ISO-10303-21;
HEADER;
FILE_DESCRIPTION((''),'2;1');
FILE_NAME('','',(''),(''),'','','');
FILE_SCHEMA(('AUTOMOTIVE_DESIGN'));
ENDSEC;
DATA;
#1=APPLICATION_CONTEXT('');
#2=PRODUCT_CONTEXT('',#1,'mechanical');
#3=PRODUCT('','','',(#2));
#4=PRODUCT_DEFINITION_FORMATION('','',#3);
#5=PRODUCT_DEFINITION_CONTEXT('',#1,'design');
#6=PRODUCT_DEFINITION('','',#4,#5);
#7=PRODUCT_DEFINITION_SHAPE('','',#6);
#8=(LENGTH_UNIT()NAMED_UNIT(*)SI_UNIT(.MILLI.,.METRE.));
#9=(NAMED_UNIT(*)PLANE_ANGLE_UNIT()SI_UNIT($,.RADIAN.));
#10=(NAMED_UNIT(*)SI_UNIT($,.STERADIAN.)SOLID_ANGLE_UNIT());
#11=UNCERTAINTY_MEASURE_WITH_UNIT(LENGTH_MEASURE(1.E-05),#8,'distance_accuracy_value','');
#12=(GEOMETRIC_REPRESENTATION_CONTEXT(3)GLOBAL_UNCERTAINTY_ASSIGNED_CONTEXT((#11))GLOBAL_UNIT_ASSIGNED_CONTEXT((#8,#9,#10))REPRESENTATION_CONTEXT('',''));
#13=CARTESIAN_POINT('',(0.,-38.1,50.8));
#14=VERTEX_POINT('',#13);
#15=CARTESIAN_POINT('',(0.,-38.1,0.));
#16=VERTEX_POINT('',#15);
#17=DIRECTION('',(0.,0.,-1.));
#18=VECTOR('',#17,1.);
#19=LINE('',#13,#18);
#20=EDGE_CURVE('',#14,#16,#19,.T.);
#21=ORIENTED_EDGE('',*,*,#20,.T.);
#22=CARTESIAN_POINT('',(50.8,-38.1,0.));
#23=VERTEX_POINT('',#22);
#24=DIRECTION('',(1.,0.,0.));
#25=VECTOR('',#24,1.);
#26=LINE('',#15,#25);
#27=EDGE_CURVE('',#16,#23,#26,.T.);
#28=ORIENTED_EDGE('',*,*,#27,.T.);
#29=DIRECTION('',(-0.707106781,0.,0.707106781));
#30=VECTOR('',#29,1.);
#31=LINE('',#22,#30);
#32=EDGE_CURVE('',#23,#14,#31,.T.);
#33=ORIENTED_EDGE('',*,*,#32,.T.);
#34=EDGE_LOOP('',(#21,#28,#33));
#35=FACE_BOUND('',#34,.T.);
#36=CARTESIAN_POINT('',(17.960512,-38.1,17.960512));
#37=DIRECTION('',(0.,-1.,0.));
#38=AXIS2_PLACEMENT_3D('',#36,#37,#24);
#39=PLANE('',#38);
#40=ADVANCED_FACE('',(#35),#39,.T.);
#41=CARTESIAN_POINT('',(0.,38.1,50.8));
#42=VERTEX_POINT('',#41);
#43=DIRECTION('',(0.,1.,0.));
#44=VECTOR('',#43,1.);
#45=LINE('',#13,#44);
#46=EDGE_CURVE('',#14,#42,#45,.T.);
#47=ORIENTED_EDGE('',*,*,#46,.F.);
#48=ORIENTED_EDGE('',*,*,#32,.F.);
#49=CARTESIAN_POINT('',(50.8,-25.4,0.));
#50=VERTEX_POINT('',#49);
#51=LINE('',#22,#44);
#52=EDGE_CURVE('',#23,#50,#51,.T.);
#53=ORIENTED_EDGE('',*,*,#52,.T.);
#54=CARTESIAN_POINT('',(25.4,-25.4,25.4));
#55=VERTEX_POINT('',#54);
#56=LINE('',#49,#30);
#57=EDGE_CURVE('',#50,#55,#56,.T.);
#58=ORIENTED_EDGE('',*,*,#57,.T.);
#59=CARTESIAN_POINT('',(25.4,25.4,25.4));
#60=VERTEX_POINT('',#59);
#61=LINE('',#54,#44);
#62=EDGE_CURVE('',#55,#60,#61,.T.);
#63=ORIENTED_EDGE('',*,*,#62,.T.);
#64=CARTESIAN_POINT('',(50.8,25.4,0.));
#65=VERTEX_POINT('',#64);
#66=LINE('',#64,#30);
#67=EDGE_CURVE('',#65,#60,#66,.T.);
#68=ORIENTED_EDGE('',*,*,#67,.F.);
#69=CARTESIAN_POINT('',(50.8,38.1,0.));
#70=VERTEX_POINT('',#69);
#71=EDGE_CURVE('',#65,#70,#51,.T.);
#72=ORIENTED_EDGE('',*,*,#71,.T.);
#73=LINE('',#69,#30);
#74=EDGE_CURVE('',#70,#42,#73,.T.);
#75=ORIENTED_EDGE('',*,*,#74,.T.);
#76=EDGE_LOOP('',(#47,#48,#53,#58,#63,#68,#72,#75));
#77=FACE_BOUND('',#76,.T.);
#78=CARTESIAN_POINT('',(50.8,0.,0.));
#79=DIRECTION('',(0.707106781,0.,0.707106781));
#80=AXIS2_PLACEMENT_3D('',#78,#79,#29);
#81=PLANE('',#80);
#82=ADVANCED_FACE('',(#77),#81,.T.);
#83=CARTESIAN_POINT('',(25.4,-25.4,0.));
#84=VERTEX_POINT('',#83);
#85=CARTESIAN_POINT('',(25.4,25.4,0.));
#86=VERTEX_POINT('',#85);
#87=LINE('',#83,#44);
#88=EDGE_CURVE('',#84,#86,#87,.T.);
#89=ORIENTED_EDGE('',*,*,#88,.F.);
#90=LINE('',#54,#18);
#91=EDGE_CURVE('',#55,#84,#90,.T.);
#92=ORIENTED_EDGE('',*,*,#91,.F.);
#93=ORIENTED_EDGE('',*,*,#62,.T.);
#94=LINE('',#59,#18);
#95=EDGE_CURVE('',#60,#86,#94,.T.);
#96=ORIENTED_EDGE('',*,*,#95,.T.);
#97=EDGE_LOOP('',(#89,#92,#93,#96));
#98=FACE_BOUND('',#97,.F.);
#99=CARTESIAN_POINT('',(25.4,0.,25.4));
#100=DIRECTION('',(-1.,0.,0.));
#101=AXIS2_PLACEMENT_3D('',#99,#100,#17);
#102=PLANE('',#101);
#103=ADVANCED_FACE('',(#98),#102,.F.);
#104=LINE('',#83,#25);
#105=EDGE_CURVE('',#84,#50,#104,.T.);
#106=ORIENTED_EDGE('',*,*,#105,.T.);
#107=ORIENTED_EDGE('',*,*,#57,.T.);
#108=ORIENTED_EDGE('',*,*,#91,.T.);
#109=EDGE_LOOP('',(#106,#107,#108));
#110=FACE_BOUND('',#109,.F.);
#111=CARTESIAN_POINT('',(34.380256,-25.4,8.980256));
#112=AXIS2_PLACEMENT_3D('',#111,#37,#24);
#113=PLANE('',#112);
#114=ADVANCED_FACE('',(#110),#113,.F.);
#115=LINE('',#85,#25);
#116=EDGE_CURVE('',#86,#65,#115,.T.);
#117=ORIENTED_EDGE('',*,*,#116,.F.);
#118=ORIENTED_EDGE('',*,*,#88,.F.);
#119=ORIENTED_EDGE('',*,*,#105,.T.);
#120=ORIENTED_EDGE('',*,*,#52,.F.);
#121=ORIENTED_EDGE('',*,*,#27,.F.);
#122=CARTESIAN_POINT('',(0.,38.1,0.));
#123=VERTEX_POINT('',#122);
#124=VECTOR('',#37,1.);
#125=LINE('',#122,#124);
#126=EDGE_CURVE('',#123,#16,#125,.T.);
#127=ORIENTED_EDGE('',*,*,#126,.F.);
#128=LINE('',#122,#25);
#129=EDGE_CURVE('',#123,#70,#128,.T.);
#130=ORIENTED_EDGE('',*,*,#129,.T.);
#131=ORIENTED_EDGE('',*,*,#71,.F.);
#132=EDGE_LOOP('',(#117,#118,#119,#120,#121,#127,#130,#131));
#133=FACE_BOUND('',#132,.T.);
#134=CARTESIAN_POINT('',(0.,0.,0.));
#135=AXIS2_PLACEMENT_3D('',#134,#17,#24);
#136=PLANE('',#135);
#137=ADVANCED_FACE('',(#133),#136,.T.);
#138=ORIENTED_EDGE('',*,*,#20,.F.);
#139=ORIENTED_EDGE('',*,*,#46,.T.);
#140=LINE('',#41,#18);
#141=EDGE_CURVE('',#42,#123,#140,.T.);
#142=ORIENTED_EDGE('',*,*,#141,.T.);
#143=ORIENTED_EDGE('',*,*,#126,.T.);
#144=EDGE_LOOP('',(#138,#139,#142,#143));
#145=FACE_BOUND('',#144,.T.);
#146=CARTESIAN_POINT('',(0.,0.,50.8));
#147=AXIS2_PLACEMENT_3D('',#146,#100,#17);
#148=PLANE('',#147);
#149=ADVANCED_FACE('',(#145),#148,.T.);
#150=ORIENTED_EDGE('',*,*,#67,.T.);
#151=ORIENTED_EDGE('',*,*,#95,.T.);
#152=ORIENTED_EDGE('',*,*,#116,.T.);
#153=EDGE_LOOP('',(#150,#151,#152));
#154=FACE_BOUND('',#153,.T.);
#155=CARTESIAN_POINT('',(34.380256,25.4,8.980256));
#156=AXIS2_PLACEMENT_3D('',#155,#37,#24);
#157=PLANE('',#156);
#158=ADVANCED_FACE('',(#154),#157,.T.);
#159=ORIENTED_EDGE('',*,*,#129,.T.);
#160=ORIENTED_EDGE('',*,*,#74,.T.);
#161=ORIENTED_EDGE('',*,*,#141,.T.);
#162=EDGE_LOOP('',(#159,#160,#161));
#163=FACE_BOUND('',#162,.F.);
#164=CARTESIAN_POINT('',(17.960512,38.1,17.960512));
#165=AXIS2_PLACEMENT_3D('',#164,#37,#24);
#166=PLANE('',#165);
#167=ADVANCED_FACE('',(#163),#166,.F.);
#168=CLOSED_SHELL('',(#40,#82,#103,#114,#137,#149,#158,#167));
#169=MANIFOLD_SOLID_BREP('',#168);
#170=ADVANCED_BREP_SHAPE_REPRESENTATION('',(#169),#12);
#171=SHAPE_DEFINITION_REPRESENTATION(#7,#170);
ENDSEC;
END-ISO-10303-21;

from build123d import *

# Parameters (mm, degrees)
F2_DEPTH = 38.1
F3_DEPTH = 25.4


with BuildPart() as f2:
    # F0 (on Front) → F2 (new body, symmetric)
    with BuildSketch(Plane.XZ):
        Polygon((0, 50.8), (0, 0), (50.8, 0), align=None)
    extrude(amount=F2_DEPTH, both=True)

    # F1 (on face) → F3 (cut, symmetric)
    with BuildSketch(Plane.XZ):
        Polygon((25.4, 0), (50.8, 0), (25.4, 25.4), align=None)
    extrude(amount=F3_DEPTH, both=True, mode=Mode.SUBTRACT)


solid = f2.part
